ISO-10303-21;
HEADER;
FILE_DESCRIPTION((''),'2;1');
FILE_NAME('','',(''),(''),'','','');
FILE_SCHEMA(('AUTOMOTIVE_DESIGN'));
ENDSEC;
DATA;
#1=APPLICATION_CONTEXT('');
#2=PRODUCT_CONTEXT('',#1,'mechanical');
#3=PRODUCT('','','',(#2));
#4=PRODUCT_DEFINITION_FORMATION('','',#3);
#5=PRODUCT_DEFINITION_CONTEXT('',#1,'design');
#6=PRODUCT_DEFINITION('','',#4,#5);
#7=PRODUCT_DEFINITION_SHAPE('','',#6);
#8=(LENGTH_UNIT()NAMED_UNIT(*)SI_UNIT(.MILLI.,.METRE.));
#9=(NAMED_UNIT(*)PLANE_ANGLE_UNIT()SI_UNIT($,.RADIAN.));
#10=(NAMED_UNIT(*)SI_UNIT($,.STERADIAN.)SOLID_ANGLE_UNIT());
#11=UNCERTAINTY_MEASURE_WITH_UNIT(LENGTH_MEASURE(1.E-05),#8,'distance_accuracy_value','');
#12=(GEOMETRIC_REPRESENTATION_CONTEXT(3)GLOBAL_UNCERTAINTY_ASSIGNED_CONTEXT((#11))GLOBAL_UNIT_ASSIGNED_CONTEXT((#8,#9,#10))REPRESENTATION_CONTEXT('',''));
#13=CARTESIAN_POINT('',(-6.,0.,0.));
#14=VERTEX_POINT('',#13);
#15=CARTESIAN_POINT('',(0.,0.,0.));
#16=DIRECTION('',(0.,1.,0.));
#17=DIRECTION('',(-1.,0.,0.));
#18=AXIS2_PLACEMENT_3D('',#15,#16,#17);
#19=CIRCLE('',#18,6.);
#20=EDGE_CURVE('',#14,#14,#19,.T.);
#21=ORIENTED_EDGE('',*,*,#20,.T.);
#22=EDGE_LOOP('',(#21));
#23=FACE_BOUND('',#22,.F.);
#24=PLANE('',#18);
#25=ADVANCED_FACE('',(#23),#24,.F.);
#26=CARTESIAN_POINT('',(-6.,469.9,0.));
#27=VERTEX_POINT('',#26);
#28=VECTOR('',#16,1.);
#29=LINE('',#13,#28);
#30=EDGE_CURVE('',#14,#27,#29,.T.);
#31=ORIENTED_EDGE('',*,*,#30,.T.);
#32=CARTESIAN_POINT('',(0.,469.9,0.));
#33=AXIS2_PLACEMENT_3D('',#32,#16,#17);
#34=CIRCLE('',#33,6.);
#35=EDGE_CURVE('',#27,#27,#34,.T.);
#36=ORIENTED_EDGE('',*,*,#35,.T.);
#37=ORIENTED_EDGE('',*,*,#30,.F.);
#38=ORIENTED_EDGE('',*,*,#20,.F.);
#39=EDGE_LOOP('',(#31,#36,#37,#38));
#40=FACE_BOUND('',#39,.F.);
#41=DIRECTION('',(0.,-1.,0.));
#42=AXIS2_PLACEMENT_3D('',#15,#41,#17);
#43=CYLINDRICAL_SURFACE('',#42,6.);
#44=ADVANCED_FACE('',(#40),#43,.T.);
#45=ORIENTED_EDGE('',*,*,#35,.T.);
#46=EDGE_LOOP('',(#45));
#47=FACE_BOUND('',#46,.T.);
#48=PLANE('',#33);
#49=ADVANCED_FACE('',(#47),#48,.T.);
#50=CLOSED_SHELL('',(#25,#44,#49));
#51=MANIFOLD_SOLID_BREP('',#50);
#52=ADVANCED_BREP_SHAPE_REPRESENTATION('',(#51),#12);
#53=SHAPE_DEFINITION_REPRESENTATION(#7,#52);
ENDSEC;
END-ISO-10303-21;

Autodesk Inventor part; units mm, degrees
ref_plane "YZ Plane" through (0, 0, 0) normal (1, 0, 0) x (0, 1, 0)
ref_plane "XZ Plane" through (0, 0, 0) normal (0, 1, 0) x (-1, 0, 0)
ref_plane "XY Plane" through (0, 0, 0) normal (0, 0, 1) x (1, 0, 0)
sketch "Sketch1" plane through (0, 0, 0) normal (0, 1, 0) x (-1, 0, 0)
  circle A0 centre (0, 0) radius 6
  dimension "d0" = 12
extrude "Extrusion1" add sketch "Sketch1" along normal blind 469.9
properties part number "12mmRail_18.5inches"
